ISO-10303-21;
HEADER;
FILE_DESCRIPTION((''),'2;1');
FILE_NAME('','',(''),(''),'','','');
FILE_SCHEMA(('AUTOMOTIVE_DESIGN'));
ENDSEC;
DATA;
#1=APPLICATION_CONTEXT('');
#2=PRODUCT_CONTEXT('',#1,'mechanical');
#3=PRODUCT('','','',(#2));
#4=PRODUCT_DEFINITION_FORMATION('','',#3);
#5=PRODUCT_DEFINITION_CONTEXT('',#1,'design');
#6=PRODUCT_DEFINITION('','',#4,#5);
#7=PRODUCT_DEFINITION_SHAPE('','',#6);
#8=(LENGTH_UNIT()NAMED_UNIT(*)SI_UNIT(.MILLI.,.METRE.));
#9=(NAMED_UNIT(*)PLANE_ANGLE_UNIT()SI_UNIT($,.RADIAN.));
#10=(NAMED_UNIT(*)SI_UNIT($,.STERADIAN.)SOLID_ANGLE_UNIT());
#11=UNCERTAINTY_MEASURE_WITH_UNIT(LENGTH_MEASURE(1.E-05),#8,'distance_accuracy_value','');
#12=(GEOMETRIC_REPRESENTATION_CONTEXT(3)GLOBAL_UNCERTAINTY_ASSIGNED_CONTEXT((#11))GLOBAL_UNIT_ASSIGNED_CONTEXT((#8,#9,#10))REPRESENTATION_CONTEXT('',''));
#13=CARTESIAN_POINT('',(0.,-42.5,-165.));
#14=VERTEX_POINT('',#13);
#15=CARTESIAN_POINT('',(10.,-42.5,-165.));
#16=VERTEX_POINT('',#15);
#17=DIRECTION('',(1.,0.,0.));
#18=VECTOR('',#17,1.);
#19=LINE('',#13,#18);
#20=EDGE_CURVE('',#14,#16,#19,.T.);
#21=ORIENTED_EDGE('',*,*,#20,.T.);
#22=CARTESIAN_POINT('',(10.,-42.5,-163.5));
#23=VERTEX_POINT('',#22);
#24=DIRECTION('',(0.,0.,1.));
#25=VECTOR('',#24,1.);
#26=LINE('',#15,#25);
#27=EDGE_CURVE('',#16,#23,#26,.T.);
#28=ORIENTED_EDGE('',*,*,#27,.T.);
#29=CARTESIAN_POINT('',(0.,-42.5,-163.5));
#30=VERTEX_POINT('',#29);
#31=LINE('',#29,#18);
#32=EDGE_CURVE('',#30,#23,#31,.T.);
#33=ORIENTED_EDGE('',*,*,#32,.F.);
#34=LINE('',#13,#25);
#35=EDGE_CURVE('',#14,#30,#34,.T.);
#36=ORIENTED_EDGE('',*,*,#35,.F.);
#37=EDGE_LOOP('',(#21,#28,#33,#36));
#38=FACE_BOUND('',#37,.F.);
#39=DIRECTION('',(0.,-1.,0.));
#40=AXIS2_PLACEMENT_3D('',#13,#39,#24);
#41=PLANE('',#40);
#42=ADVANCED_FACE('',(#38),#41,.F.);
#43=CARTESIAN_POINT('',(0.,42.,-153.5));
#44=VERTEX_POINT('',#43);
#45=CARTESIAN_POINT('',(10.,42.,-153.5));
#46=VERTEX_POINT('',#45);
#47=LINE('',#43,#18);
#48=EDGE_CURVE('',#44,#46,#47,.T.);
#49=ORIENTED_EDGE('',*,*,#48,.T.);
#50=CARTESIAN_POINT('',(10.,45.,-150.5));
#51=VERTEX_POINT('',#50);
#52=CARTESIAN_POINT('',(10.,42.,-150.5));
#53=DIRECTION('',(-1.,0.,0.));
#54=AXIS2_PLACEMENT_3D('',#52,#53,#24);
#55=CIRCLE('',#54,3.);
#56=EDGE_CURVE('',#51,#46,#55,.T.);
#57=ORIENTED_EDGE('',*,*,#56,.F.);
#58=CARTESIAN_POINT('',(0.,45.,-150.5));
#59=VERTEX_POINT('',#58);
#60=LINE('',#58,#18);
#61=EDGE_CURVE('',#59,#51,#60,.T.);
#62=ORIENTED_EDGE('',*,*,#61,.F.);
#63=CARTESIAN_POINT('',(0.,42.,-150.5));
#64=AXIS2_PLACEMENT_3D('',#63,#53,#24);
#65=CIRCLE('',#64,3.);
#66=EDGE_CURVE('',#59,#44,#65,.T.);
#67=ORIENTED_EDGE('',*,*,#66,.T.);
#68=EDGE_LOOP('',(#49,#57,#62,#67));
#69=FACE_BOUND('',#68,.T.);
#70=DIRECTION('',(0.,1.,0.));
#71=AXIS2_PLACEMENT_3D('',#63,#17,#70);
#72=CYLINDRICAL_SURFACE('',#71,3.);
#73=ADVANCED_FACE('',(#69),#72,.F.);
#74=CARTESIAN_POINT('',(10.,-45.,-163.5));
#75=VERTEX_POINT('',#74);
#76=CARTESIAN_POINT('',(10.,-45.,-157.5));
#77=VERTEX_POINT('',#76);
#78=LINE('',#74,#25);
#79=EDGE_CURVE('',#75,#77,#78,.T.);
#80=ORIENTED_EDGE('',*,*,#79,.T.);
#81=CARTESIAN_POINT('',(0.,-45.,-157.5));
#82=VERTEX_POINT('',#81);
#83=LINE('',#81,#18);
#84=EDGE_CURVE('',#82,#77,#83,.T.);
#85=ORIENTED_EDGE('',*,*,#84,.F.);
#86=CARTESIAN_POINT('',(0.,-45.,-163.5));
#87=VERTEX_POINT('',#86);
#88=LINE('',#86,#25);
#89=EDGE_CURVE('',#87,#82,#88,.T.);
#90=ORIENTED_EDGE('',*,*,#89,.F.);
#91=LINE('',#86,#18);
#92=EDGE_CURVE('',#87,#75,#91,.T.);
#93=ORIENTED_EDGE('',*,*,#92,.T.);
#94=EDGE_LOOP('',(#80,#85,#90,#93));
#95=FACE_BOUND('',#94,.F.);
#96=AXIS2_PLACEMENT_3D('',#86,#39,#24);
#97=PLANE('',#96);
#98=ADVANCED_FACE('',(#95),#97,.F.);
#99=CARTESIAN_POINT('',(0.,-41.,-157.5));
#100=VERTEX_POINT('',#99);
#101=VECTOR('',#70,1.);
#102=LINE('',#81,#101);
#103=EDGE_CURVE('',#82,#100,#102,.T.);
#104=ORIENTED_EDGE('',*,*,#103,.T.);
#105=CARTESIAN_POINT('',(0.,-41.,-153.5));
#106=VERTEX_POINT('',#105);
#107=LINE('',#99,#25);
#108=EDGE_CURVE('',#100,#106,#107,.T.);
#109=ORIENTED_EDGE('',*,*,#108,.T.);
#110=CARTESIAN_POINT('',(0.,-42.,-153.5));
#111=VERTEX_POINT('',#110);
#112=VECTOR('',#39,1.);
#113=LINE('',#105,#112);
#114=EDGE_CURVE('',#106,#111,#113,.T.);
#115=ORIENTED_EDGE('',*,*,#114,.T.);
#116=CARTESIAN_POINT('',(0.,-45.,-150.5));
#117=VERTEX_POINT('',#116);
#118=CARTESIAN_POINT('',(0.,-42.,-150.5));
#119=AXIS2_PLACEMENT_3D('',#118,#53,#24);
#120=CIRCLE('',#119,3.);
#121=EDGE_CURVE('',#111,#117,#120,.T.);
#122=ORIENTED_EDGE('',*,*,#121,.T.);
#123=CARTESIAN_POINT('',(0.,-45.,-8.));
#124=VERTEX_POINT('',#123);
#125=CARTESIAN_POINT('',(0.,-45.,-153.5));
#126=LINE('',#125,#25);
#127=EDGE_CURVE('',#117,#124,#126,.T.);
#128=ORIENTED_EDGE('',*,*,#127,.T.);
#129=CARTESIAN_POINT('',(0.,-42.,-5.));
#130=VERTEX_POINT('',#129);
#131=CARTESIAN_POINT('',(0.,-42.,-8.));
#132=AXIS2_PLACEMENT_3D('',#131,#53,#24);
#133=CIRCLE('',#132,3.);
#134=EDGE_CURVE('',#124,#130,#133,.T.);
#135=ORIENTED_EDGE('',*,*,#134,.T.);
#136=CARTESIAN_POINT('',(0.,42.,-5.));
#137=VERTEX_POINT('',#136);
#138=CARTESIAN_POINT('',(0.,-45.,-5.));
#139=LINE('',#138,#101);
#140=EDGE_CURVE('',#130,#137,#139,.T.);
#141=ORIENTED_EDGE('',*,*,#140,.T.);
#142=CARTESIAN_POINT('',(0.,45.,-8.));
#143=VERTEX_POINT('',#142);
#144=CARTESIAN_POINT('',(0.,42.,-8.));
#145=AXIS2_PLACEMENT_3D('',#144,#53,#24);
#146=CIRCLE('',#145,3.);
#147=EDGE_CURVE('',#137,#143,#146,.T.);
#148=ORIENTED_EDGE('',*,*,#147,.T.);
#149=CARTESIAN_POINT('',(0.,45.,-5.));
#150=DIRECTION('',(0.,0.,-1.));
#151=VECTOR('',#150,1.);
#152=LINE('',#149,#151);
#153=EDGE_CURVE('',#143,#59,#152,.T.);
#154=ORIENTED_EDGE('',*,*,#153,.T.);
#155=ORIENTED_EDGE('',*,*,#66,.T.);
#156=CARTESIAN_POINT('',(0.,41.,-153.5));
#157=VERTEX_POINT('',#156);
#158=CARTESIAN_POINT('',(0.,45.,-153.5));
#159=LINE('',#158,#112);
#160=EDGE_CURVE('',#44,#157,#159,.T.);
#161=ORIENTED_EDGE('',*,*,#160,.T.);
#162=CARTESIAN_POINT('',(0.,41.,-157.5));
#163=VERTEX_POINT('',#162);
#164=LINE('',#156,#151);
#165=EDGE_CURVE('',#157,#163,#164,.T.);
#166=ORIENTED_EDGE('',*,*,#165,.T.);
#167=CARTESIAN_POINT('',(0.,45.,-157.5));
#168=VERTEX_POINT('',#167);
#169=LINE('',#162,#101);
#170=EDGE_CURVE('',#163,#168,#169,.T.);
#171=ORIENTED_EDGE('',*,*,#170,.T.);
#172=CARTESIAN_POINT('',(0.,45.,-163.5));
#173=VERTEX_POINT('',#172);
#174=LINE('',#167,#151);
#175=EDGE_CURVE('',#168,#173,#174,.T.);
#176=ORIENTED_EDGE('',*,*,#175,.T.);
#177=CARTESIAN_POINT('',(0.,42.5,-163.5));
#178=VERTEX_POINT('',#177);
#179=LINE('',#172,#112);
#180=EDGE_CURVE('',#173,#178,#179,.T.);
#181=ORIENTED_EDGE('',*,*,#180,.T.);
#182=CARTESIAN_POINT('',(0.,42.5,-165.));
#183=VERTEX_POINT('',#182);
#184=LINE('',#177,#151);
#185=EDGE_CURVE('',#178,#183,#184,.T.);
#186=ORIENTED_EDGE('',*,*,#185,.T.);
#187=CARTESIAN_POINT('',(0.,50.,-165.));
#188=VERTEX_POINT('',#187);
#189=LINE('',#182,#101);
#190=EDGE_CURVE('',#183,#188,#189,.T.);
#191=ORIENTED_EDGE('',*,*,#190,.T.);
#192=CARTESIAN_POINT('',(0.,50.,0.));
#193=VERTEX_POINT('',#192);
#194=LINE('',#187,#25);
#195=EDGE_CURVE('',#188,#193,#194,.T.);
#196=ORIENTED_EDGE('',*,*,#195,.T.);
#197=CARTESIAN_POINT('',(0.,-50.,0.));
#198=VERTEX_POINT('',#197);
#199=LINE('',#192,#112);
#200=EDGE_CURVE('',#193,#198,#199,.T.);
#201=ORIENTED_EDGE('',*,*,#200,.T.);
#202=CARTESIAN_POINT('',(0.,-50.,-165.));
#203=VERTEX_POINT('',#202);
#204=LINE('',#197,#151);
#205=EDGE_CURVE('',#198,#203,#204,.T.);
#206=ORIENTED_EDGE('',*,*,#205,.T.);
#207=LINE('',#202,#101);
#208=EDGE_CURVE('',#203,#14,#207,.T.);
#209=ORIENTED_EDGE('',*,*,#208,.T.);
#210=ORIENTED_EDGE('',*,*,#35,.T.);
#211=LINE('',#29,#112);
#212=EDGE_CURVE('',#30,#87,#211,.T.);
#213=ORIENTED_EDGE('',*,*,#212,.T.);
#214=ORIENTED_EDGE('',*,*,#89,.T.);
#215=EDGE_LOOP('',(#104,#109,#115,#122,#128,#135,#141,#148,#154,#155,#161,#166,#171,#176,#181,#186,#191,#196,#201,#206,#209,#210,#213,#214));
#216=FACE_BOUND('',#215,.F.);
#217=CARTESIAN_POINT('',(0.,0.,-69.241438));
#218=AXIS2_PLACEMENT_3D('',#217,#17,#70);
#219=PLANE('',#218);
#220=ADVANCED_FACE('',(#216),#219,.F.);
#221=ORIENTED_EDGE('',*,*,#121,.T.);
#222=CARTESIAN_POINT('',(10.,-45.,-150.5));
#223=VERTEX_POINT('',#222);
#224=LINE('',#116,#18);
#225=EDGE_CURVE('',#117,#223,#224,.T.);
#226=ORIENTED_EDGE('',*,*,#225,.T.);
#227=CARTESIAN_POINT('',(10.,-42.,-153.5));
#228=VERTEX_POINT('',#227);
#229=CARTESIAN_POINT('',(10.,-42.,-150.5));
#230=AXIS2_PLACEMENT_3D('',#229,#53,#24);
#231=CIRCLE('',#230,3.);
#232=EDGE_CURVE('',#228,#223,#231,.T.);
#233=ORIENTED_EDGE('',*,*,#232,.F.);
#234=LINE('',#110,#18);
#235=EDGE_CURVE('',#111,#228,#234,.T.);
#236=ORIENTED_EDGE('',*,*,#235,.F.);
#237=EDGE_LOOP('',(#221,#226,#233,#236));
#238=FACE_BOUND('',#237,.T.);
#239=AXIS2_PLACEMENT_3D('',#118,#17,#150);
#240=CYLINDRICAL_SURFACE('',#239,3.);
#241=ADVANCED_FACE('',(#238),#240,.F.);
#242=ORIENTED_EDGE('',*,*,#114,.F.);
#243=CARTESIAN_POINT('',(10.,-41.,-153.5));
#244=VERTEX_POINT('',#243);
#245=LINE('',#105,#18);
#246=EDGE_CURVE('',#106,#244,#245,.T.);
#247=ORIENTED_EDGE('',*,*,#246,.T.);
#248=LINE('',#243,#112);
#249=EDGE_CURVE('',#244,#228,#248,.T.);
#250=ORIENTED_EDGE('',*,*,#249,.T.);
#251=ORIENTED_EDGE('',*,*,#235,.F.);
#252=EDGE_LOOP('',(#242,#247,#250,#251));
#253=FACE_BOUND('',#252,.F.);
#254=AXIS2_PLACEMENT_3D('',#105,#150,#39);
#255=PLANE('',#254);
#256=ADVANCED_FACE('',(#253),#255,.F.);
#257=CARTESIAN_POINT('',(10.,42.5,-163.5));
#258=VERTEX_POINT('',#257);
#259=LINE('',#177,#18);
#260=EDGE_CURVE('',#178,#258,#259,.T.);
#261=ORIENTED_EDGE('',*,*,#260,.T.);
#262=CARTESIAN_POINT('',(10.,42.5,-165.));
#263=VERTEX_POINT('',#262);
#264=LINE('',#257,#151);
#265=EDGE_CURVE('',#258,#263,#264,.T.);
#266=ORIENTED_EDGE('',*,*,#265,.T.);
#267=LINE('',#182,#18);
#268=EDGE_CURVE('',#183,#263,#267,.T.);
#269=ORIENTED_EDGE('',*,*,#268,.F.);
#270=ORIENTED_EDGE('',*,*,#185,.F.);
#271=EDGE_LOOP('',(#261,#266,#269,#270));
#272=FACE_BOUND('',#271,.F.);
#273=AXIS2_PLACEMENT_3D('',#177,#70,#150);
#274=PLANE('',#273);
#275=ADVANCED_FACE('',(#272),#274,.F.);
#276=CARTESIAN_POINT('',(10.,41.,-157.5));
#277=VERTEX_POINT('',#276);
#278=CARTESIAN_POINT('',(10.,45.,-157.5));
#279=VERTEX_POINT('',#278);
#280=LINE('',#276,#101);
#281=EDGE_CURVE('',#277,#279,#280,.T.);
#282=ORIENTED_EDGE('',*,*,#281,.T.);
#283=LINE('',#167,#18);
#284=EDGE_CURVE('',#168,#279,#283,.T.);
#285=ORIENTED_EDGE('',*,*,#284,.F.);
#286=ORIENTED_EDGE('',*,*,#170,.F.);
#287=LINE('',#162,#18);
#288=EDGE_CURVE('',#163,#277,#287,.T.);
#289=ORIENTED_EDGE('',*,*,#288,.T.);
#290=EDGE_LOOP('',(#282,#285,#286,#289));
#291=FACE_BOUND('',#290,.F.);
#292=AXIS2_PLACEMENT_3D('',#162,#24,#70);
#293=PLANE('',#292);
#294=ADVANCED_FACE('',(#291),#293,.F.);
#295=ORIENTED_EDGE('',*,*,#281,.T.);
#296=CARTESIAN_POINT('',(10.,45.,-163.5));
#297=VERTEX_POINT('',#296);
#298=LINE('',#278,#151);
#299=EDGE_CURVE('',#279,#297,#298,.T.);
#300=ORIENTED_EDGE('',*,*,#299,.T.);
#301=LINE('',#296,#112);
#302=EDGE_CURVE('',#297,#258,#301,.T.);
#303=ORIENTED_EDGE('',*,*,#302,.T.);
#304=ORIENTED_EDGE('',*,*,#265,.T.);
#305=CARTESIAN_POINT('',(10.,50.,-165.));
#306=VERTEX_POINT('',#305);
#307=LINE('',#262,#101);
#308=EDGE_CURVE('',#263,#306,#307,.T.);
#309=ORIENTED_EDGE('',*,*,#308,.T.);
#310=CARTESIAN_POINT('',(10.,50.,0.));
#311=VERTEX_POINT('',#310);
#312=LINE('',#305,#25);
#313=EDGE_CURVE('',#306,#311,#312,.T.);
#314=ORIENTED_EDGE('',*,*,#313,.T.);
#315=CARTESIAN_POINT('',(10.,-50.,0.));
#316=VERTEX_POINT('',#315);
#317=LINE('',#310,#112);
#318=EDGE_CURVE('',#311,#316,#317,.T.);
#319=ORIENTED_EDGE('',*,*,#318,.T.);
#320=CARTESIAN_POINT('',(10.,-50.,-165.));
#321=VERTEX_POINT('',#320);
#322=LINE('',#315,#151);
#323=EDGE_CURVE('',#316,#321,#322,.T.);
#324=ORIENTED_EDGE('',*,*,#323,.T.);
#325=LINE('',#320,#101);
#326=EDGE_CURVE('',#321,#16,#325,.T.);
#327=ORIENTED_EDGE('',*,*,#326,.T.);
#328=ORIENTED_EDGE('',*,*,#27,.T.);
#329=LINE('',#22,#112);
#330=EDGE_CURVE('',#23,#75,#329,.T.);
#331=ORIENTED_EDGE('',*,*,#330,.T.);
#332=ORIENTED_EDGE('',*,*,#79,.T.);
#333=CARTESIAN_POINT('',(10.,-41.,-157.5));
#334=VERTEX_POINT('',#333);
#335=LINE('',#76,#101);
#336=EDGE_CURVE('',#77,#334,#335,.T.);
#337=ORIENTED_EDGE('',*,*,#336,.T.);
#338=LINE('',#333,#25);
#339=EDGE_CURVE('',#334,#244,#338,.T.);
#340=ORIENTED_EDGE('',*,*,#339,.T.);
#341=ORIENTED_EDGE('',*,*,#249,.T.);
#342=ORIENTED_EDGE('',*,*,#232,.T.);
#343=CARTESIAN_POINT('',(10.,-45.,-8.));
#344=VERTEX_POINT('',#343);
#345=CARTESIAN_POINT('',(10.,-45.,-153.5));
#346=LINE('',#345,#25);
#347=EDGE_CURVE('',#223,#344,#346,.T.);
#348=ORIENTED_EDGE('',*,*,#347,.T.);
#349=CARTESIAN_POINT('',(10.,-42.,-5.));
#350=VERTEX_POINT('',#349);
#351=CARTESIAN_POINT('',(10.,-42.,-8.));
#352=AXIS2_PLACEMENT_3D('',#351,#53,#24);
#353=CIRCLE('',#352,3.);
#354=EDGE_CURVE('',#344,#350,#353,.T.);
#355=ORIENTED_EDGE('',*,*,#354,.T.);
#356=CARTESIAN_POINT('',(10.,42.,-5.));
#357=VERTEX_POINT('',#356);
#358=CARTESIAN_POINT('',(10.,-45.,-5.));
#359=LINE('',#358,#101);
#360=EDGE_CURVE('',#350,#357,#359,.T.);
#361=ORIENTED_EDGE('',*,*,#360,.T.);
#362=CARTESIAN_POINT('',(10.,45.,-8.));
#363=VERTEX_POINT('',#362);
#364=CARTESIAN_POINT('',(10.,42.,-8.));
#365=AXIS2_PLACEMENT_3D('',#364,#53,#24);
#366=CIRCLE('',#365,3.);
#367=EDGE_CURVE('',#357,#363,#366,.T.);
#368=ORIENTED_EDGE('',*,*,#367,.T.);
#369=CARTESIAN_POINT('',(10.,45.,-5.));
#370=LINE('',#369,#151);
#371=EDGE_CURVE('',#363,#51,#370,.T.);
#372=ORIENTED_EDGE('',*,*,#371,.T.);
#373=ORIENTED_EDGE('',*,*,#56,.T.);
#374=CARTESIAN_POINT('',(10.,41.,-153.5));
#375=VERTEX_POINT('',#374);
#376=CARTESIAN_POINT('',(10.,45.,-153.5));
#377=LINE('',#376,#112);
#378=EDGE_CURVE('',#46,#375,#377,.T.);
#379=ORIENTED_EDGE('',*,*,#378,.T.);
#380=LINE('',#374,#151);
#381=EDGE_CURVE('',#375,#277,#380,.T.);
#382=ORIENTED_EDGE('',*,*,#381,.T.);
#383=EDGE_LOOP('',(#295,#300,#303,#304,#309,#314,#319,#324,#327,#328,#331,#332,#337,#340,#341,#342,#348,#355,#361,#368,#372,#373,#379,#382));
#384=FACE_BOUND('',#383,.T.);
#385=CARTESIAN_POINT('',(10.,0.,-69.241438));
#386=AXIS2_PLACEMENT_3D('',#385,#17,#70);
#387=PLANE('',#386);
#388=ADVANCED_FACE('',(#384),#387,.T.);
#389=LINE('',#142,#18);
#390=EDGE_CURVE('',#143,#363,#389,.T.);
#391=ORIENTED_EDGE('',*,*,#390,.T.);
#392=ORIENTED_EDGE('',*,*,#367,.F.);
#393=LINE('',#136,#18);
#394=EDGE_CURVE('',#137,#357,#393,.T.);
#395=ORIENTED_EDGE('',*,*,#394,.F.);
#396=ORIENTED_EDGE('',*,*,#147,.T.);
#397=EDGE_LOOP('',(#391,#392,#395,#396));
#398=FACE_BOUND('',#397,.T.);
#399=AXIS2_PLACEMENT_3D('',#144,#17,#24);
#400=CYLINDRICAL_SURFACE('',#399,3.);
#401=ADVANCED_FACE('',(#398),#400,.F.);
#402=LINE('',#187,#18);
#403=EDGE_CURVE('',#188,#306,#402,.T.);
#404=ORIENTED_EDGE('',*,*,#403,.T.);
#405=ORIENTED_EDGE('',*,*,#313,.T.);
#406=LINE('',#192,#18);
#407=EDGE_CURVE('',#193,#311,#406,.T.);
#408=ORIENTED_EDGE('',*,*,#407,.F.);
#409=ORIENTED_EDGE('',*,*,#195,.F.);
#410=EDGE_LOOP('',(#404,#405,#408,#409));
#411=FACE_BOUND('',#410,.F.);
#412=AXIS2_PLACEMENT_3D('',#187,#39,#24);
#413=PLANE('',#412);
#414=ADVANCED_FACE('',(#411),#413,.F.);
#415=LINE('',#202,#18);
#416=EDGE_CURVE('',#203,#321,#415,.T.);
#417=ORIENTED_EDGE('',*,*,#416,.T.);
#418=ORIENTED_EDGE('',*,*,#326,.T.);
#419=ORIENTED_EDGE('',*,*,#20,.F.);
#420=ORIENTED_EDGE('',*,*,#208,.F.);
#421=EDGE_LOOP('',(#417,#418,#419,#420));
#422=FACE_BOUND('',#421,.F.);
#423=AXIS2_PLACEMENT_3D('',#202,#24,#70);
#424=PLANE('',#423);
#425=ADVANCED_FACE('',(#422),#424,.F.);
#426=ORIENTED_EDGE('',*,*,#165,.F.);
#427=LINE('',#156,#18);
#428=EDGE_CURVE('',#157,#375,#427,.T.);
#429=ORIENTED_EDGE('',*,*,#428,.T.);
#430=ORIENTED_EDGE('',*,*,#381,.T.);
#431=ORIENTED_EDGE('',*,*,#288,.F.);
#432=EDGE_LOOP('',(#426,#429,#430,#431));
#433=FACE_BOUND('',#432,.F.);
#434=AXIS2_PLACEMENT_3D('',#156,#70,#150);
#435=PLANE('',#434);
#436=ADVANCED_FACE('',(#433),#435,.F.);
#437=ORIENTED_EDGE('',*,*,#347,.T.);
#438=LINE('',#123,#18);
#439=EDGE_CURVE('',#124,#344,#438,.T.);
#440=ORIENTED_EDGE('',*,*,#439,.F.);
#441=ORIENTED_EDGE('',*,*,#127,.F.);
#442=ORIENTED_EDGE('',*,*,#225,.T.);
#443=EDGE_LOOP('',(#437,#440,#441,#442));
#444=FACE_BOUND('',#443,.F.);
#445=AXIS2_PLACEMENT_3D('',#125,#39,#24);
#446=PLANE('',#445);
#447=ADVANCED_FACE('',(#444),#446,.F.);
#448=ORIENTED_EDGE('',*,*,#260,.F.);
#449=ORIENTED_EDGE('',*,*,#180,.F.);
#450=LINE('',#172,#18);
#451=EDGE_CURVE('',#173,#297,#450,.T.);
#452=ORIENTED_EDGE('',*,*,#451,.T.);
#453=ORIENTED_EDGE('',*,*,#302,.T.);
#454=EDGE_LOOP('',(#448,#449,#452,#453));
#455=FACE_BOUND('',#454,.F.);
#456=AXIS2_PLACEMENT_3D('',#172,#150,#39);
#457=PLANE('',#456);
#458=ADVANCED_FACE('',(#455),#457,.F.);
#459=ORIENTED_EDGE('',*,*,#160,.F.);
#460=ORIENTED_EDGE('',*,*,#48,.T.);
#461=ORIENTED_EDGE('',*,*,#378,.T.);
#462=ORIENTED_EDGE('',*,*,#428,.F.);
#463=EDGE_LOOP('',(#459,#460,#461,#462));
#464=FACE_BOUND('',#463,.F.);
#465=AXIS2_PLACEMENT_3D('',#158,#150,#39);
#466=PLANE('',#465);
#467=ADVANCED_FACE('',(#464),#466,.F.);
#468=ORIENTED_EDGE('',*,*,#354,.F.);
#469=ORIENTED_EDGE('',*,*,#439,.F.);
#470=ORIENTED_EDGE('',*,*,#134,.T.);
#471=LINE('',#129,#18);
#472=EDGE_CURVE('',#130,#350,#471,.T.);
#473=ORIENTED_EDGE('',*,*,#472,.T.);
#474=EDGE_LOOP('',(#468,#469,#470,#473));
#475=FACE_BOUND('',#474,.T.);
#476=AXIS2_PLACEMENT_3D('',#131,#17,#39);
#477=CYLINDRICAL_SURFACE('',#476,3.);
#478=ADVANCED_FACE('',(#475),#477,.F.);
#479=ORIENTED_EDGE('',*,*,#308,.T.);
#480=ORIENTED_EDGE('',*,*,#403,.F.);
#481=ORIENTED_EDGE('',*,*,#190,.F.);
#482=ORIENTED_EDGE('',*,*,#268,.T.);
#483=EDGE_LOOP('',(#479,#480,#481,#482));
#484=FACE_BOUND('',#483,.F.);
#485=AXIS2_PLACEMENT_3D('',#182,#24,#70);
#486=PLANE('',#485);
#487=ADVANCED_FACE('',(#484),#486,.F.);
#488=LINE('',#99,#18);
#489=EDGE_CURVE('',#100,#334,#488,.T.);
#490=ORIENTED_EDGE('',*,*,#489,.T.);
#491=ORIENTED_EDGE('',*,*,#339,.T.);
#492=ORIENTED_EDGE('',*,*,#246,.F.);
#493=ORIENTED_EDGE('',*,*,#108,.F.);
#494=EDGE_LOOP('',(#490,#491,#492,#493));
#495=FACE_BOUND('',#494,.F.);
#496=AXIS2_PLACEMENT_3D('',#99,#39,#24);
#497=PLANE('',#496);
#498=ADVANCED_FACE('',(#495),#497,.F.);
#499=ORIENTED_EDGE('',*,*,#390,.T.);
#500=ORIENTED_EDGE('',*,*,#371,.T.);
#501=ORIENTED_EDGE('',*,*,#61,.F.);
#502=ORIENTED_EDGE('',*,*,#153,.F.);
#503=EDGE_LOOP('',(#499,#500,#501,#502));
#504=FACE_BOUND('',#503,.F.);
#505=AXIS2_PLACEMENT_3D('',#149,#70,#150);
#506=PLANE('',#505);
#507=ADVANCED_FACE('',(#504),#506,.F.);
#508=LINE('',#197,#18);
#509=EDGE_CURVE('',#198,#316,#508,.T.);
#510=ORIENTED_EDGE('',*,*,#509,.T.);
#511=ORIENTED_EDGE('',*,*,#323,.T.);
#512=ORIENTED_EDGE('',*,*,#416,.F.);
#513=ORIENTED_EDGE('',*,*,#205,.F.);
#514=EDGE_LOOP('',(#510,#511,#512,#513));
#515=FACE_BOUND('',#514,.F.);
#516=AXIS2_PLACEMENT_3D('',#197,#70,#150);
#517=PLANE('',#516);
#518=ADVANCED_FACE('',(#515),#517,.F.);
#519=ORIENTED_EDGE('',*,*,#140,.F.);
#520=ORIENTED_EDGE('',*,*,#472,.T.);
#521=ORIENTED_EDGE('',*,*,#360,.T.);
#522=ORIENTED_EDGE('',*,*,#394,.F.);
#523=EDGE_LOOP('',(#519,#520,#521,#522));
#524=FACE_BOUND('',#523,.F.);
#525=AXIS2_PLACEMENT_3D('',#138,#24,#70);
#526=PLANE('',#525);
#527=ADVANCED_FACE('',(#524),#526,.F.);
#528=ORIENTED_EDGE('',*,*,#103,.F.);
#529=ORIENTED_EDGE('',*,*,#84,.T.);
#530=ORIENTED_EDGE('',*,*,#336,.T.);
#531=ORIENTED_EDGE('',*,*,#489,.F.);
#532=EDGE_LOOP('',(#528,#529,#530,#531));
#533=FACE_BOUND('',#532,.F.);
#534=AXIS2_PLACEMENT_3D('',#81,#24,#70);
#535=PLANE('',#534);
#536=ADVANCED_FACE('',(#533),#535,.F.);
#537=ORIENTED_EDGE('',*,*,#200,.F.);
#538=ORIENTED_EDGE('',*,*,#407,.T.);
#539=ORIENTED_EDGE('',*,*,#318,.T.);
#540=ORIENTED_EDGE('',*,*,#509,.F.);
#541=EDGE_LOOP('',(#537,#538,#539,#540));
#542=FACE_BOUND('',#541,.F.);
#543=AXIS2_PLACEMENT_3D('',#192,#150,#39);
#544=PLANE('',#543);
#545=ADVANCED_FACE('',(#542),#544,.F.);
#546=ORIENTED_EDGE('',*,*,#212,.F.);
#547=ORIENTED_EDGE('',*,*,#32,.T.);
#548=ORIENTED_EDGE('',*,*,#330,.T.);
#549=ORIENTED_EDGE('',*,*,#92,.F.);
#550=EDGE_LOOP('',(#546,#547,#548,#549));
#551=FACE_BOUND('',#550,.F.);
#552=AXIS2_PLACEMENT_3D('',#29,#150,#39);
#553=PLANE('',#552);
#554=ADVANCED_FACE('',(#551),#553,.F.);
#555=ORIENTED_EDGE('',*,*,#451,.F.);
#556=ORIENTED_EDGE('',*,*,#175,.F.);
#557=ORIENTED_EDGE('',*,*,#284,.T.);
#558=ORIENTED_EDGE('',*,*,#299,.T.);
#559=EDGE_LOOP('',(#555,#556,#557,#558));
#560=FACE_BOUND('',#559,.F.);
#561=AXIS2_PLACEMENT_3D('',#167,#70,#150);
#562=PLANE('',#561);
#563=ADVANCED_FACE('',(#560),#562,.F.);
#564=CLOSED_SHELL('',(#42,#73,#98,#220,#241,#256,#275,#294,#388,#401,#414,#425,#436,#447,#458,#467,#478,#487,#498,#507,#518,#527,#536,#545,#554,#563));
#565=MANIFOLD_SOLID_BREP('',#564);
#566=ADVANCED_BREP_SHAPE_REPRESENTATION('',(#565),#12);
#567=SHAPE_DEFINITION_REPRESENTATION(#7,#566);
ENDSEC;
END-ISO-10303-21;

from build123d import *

# Parameters (mm, degrees)
F1_DEPTH = 10
F2_R     = 3


with BuildPart() as f1:
    # F0 (on Right) → F1 (new body)
    with BuildSketch(Plane.YZ):
        Polygon((50, 0), (0, 0), (-50, 0), (-50, -165), (-42.5, -165), (-42.5, -163.5), (-45, -163.5), (-45, -157.5), (-41, -157.5), (-41, -153.5), (-45, -153.5), (-45, -5), (0, -5), (45, -5), (45, -153.5), (41, -153.5), (41, -157.5), (45, -157.5), (45, -163.5), (42.5, -163.5), (42.5, -165), (50, -165), align=None)
    extrude(amount=F1_DEPTH)

    # F2
    f2_edges = [f1.edges().sort_by_distance(p)[0] for p in [
        (5, -45, -5),
        (5, 45, -5),
        (5, 45, -153.5),
        (5, -45, -153.5),
    ]]
    fillet(f2_edges, radius=F2_R)


solid = f1.part
